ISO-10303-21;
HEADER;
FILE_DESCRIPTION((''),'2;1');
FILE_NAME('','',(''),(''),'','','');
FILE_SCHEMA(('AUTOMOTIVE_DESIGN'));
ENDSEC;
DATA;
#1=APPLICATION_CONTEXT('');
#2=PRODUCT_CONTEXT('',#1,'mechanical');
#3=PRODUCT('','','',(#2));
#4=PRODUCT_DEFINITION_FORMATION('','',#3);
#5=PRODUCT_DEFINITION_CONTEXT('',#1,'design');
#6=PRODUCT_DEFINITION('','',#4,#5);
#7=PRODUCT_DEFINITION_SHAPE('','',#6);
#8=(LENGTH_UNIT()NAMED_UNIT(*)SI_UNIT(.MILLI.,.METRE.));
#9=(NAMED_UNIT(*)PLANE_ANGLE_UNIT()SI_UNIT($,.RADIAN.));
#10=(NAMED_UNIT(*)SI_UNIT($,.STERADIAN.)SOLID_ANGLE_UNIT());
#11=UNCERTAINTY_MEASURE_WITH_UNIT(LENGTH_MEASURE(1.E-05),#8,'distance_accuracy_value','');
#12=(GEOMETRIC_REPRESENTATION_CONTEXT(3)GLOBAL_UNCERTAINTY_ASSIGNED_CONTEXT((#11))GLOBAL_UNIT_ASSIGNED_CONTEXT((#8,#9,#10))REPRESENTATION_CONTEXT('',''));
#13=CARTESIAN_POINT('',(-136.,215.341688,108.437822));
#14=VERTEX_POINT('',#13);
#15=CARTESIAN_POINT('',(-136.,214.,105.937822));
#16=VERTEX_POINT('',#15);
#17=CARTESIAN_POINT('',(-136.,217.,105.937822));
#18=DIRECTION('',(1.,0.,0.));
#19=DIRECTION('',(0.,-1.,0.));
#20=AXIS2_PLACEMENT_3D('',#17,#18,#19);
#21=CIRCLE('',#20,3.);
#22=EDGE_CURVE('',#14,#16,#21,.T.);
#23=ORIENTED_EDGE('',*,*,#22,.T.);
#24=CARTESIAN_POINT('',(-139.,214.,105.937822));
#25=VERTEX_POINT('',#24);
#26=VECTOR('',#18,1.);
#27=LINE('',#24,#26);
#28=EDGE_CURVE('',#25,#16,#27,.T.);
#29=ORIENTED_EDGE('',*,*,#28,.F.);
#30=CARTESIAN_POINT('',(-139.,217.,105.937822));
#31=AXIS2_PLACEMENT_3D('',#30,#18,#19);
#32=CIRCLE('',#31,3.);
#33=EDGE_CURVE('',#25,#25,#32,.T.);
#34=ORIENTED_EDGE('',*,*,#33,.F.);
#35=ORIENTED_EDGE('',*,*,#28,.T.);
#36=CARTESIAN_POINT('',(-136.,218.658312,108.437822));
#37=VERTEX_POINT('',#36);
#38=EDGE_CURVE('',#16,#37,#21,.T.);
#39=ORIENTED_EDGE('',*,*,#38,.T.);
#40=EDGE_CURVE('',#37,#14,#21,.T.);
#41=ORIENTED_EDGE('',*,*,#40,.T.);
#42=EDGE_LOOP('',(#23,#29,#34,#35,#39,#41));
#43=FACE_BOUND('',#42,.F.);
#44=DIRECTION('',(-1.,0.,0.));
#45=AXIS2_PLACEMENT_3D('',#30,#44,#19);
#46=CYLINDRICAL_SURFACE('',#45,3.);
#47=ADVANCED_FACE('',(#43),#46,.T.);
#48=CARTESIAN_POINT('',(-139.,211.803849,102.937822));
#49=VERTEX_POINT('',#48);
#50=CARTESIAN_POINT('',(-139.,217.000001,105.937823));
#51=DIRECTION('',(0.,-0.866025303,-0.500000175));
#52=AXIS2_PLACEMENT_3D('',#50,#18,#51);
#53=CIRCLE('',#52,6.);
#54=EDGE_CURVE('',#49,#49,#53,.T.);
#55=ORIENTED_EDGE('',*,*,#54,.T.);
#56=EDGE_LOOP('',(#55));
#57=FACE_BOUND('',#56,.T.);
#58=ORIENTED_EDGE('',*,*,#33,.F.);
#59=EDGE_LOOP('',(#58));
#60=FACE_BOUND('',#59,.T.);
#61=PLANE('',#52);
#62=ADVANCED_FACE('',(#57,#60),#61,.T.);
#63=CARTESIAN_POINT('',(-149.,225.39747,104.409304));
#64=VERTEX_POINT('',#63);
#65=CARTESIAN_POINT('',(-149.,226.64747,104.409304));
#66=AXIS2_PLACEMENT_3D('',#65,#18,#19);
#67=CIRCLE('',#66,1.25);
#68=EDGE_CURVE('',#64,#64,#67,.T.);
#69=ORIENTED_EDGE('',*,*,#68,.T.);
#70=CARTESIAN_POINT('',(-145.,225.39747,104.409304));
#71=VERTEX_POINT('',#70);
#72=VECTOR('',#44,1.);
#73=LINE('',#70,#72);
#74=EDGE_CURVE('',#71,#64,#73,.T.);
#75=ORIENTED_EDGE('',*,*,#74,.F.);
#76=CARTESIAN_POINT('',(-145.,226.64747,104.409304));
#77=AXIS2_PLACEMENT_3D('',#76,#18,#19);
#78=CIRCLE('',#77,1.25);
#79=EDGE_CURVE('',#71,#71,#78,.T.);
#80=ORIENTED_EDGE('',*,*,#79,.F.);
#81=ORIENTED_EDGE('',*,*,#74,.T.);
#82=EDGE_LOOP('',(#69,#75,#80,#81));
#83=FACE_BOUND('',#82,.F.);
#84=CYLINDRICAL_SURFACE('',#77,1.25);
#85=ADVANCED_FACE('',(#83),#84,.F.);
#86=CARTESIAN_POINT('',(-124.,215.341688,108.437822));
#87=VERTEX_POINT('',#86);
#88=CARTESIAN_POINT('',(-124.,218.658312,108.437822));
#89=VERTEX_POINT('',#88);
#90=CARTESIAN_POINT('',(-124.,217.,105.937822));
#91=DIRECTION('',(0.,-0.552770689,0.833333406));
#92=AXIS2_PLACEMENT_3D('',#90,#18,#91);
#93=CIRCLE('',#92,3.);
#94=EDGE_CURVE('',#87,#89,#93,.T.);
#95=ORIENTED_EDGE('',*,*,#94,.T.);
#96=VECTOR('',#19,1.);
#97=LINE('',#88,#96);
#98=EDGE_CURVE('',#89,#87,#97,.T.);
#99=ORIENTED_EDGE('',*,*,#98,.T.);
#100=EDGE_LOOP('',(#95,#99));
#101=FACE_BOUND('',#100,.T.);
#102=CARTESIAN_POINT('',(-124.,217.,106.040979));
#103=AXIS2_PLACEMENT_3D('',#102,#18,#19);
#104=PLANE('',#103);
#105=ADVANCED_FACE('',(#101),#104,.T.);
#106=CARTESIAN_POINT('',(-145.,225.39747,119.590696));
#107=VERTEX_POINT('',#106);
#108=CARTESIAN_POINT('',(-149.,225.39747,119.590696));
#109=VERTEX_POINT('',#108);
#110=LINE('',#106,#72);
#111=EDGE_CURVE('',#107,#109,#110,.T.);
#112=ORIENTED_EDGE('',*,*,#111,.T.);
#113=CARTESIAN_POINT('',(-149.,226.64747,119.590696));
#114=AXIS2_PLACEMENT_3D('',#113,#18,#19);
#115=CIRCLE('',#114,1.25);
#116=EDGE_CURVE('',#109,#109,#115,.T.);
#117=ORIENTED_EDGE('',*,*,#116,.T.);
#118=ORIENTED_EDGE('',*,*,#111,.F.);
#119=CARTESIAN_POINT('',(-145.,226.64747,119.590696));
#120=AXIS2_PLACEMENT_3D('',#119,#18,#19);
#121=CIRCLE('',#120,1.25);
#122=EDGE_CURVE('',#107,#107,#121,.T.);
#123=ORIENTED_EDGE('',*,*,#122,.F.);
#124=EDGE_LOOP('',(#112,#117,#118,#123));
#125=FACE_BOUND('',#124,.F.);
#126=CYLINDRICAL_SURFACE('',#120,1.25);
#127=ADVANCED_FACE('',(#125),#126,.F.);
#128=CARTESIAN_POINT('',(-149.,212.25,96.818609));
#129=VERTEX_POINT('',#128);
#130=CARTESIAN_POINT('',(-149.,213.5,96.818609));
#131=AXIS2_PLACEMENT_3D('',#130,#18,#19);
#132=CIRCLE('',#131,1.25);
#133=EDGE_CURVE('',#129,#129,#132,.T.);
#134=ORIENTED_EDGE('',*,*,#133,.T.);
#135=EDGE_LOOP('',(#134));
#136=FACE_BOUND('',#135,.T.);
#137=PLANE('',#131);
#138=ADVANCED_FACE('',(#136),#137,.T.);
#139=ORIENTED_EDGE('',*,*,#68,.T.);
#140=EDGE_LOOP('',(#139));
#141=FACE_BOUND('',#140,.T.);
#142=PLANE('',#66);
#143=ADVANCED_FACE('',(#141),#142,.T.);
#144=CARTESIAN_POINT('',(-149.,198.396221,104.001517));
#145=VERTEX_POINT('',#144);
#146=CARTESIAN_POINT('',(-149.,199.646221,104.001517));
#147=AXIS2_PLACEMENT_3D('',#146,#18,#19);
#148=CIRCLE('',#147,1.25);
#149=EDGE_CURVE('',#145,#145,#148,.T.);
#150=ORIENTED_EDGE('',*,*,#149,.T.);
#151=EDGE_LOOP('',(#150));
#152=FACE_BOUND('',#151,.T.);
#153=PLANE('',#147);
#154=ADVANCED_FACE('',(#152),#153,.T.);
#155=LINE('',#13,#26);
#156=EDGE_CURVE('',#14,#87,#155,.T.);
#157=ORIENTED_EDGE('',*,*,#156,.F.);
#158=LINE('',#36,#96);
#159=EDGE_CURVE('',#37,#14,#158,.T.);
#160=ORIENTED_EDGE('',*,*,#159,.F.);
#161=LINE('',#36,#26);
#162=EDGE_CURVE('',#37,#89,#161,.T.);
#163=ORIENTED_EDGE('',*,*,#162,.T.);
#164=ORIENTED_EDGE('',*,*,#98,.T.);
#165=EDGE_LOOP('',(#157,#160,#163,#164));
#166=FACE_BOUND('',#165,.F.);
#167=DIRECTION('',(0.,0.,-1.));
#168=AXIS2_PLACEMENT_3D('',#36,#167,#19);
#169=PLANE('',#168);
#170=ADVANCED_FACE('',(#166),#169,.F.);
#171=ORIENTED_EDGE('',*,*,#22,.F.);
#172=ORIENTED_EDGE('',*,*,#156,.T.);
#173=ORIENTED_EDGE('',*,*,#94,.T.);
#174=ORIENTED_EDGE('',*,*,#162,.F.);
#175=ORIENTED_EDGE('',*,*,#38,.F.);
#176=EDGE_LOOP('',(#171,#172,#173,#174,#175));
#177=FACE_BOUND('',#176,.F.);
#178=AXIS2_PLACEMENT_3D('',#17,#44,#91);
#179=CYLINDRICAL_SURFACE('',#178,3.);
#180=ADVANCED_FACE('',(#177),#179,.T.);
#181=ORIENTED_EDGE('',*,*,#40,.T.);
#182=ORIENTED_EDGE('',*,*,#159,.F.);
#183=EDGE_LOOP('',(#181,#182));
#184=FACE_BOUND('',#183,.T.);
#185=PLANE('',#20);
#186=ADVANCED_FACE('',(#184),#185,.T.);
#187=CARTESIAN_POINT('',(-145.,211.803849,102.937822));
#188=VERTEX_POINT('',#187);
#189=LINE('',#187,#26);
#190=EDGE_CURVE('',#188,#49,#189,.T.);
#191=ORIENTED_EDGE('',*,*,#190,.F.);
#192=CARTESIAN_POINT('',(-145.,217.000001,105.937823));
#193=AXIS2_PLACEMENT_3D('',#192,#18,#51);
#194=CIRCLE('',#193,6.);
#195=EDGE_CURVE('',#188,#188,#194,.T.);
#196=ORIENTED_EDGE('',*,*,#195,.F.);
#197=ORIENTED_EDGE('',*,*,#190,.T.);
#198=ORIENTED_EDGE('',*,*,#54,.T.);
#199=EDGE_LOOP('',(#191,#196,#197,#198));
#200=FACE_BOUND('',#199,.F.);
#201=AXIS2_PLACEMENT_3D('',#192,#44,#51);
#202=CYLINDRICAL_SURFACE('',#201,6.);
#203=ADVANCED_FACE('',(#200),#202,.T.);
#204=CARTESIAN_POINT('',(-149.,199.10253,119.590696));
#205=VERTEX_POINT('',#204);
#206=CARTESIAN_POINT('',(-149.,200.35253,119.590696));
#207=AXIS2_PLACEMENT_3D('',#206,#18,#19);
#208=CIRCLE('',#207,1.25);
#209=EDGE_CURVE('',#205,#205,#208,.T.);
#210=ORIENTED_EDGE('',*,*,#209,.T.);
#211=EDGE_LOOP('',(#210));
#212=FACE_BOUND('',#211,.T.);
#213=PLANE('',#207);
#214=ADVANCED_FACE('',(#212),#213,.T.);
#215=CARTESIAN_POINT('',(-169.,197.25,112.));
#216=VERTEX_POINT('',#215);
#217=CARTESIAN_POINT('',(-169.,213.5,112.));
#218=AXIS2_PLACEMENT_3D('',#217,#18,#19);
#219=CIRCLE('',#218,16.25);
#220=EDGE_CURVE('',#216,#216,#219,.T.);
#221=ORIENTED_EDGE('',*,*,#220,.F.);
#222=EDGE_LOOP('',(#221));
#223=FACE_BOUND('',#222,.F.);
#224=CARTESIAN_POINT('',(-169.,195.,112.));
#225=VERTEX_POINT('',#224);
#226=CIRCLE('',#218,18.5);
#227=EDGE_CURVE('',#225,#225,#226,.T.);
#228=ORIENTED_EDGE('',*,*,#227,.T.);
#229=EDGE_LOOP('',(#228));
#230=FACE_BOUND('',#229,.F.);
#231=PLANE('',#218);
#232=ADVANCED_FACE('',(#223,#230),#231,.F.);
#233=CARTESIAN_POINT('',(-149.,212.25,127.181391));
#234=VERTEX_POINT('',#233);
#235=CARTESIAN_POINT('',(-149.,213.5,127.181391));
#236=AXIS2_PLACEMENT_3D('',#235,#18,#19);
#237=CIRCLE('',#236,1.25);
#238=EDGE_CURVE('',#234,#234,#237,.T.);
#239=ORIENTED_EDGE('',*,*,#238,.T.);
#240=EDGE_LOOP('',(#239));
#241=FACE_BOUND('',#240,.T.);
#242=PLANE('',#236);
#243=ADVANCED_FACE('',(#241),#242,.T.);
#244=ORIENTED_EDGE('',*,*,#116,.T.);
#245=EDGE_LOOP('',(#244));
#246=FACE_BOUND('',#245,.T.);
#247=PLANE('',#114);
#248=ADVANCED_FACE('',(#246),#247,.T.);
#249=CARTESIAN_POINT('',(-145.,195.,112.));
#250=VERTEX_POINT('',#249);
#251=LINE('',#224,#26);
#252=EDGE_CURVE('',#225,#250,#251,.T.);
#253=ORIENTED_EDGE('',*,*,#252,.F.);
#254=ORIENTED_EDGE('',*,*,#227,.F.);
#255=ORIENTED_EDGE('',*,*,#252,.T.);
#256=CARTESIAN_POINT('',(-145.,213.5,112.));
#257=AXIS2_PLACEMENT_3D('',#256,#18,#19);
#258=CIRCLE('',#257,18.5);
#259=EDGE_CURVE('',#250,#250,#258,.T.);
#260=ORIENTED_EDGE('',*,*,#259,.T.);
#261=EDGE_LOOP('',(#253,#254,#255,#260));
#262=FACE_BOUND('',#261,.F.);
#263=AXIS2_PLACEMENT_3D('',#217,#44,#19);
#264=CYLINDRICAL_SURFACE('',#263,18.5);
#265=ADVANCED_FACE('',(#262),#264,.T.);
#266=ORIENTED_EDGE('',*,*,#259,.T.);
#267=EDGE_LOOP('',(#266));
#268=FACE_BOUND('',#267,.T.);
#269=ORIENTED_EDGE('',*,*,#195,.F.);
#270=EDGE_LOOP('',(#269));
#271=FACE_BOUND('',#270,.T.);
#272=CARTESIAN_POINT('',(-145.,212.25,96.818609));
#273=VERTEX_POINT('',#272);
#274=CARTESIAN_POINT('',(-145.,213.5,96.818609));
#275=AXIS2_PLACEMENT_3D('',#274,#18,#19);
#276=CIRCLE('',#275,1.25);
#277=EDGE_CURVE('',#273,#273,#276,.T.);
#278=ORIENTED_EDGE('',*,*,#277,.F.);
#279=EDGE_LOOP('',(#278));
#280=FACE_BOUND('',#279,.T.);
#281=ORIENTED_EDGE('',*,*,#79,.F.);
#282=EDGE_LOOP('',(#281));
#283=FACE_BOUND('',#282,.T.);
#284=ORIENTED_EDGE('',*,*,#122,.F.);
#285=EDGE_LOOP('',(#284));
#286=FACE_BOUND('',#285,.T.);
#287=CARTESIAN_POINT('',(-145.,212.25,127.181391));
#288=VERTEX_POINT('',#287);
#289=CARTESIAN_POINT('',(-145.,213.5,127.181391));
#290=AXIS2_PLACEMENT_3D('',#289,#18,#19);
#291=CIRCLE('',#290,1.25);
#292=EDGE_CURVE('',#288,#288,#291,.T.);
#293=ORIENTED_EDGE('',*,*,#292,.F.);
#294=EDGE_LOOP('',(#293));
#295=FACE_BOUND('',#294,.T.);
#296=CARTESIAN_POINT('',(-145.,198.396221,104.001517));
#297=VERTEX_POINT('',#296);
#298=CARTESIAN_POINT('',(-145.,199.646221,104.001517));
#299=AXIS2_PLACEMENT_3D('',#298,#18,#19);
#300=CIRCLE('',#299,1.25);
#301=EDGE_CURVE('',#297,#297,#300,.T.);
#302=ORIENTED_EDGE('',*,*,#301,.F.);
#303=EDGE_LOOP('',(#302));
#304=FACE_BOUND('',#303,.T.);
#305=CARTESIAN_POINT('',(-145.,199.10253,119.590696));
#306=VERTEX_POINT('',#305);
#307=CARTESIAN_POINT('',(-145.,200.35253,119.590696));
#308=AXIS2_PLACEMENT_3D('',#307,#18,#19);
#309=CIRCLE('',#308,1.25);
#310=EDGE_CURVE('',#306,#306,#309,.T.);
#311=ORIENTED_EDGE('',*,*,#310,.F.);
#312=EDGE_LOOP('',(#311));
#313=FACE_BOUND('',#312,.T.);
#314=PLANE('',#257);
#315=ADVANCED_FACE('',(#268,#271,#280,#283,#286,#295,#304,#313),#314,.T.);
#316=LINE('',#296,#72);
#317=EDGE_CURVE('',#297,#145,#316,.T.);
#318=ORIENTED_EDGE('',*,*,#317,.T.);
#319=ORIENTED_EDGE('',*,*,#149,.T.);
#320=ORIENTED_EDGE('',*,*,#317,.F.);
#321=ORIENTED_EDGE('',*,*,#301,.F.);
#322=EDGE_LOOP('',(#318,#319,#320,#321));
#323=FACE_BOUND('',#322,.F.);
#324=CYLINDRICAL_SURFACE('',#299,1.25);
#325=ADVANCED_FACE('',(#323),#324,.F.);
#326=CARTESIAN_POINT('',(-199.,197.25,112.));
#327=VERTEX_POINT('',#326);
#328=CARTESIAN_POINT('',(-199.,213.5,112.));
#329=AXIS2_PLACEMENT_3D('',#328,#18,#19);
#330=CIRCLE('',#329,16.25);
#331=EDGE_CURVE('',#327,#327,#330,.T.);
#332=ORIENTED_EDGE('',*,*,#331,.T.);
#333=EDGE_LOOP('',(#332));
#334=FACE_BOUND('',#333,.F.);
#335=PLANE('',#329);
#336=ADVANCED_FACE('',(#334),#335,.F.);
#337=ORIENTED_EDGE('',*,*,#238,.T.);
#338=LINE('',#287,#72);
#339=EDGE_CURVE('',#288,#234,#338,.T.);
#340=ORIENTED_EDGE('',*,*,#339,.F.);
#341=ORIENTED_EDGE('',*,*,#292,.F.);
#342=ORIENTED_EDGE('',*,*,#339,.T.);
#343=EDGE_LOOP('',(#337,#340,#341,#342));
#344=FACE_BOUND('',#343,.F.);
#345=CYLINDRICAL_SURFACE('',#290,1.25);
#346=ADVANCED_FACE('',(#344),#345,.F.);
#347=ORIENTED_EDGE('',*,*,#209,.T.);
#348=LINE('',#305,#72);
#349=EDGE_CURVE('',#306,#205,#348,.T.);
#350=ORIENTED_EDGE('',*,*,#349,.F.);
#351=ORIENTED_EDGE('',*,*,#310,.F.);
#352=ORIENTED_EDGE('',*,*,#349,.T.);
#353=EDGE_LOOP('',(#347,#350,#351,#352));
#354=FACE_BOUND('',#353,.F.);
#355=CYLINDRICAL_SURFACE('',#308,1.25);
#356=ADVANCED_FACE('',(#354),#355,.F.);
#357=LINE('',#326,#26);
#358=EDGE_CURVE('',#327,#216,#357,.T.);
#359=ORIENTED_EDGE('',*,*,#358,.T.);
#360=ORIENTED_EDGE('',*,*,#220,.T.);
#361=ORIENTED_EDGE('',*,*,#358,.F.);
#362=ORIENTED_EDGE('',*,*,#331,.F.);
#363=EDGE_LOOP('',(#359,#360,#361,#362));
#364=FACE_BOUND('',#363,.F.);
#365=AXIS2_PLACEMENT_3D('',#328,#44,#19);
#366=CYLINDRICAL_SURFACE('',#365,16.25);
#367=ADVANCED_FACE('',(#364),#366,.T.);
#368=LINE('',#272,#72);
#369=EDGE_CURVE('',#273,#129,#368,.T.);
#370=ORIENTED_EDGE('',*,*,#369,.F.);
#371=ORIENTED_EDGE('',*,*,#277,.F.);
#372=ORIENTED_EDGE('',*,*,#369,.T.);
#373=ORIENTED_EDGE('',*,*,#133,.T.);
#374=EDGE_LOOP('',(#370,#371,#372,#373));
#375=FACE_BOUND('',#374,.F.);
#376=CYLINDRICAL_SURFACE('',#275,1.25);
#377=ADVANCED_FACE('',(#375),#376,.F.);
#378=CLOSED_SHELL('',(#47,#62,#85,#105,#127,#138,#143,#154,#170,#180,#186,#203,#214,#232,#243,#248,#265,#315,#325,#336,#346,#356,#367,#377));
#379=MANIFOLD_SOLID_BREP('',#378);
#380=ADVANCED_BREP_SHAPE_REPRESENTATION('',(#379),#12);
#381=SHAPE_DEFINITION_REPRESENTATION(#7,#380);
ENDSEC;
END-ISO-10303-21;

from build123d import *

# Parameters (mm, degrees)
SKETCH061_R             = 16.25
PAD047_DEPTH            = 30
SKETCH062_R             = 18.5
PAD048_DEPTH            = 24
SKETCH063_R             = 1.25
POCKET012_DEPTH         = 4
SKETCH064_R             = 6
PAD049_DEPTH            = 6
SKETCH065_R             = 3
PAD050_DEPTH            = 3
PAD051_DEPTH            = 12
BODY015_ROLL_ANGLE      = -90
BODY015_PLACEMENT_ANGLE = -90


with BuildPart() as part:
    # Sketch061 → Pad047 (new body)
    with BuildSketch(Plane.XY):
        Circle(SKETCH061_R)
    extrude(amount=PAD047_DEPTH)

    # Sketch062 (on Face3 of Pad047) → Pad048 (join)
    with BuildSketch(Plane.XY.offset(30)):
        Circle(SKETCH062_R)
    extrude(amount=PAD048_DEPTH)

    # Sketch063 (on Face5 of Pad048) → Pocket012 (cut)
    with BuildSketch(Plane.XY.offset(54)):
        with Locations((-13.14747, 7.590696)):
            Circle(SKETCH063_R)
        with Locations((-13.14747, -7.590696)):
            Circle(SKETCH063_R)
        with Locations((13.14747, -7.590696)):
            Circle(SKETCH063_R)
        with Locations((0, 15.181391)):
            Circle(SKETCH063_R)
        with Locations((13.853779, 7.998483)):
            Circle(SKETCH063_R)
        with Locations((0, -15.181391)):
            Circle(SKETCH063_R)
    extrude(amount=-POCKET012_DEPTH, mode=Mode.SUBTRACT)

    # Sketch064 (on Face5 of Pocket012) → Pad049 (join)
    with BuildSketch(Plane(origin=(0, 0, 54), x_dir=(0.866025, 0.5, 0), z_dir=(0, 0, 1))):
        with Locations((0, 7)):
            Circle(SKETCH064_R)
    extrude(amount=PAD049_DEPTH)

    # Sketch065 (on Face17 of Pad049) → Pad050 (join)
    with BuildSketch(Plane.XY.offset(60)):
        with Locations((-3.5, 6.062178)):
            Circle(SKETCH065_R)
    extrude(amount=PAD050_DEPTH)

    # Sketch066 (on Face21 of Pad050) → Pad051 (join)
    with BuildSketch(Plane.XY.offset(63)):
        with BuildLine():
            Line((-5.158312, 3.562178), (-1.841688, 3.562178))
            ThreePointArc((-1.841688, 3.562178), (-3.5, 9.062178), (-5.158312, 3.562178))
        make_face()
    extrude(amount=PAD051_DEPTH)


with BuildPart() as part_1:
    # Body015 roll: moved
    add(part.part.rotate(Axis((0, 0, 0), (1, 0, 0)), BODY015_ROLL_ANGLE))


with BuildPart() as part_2:
    # Body015 placement: moved
    add(part_1.part.moved(Location((-199, 213.5, 112))).rotate(Axis((-199, 213.5, 112), (0, 0, 1)), BODY015_PLACEMENT_ANGLE))


solid = part_2.part
